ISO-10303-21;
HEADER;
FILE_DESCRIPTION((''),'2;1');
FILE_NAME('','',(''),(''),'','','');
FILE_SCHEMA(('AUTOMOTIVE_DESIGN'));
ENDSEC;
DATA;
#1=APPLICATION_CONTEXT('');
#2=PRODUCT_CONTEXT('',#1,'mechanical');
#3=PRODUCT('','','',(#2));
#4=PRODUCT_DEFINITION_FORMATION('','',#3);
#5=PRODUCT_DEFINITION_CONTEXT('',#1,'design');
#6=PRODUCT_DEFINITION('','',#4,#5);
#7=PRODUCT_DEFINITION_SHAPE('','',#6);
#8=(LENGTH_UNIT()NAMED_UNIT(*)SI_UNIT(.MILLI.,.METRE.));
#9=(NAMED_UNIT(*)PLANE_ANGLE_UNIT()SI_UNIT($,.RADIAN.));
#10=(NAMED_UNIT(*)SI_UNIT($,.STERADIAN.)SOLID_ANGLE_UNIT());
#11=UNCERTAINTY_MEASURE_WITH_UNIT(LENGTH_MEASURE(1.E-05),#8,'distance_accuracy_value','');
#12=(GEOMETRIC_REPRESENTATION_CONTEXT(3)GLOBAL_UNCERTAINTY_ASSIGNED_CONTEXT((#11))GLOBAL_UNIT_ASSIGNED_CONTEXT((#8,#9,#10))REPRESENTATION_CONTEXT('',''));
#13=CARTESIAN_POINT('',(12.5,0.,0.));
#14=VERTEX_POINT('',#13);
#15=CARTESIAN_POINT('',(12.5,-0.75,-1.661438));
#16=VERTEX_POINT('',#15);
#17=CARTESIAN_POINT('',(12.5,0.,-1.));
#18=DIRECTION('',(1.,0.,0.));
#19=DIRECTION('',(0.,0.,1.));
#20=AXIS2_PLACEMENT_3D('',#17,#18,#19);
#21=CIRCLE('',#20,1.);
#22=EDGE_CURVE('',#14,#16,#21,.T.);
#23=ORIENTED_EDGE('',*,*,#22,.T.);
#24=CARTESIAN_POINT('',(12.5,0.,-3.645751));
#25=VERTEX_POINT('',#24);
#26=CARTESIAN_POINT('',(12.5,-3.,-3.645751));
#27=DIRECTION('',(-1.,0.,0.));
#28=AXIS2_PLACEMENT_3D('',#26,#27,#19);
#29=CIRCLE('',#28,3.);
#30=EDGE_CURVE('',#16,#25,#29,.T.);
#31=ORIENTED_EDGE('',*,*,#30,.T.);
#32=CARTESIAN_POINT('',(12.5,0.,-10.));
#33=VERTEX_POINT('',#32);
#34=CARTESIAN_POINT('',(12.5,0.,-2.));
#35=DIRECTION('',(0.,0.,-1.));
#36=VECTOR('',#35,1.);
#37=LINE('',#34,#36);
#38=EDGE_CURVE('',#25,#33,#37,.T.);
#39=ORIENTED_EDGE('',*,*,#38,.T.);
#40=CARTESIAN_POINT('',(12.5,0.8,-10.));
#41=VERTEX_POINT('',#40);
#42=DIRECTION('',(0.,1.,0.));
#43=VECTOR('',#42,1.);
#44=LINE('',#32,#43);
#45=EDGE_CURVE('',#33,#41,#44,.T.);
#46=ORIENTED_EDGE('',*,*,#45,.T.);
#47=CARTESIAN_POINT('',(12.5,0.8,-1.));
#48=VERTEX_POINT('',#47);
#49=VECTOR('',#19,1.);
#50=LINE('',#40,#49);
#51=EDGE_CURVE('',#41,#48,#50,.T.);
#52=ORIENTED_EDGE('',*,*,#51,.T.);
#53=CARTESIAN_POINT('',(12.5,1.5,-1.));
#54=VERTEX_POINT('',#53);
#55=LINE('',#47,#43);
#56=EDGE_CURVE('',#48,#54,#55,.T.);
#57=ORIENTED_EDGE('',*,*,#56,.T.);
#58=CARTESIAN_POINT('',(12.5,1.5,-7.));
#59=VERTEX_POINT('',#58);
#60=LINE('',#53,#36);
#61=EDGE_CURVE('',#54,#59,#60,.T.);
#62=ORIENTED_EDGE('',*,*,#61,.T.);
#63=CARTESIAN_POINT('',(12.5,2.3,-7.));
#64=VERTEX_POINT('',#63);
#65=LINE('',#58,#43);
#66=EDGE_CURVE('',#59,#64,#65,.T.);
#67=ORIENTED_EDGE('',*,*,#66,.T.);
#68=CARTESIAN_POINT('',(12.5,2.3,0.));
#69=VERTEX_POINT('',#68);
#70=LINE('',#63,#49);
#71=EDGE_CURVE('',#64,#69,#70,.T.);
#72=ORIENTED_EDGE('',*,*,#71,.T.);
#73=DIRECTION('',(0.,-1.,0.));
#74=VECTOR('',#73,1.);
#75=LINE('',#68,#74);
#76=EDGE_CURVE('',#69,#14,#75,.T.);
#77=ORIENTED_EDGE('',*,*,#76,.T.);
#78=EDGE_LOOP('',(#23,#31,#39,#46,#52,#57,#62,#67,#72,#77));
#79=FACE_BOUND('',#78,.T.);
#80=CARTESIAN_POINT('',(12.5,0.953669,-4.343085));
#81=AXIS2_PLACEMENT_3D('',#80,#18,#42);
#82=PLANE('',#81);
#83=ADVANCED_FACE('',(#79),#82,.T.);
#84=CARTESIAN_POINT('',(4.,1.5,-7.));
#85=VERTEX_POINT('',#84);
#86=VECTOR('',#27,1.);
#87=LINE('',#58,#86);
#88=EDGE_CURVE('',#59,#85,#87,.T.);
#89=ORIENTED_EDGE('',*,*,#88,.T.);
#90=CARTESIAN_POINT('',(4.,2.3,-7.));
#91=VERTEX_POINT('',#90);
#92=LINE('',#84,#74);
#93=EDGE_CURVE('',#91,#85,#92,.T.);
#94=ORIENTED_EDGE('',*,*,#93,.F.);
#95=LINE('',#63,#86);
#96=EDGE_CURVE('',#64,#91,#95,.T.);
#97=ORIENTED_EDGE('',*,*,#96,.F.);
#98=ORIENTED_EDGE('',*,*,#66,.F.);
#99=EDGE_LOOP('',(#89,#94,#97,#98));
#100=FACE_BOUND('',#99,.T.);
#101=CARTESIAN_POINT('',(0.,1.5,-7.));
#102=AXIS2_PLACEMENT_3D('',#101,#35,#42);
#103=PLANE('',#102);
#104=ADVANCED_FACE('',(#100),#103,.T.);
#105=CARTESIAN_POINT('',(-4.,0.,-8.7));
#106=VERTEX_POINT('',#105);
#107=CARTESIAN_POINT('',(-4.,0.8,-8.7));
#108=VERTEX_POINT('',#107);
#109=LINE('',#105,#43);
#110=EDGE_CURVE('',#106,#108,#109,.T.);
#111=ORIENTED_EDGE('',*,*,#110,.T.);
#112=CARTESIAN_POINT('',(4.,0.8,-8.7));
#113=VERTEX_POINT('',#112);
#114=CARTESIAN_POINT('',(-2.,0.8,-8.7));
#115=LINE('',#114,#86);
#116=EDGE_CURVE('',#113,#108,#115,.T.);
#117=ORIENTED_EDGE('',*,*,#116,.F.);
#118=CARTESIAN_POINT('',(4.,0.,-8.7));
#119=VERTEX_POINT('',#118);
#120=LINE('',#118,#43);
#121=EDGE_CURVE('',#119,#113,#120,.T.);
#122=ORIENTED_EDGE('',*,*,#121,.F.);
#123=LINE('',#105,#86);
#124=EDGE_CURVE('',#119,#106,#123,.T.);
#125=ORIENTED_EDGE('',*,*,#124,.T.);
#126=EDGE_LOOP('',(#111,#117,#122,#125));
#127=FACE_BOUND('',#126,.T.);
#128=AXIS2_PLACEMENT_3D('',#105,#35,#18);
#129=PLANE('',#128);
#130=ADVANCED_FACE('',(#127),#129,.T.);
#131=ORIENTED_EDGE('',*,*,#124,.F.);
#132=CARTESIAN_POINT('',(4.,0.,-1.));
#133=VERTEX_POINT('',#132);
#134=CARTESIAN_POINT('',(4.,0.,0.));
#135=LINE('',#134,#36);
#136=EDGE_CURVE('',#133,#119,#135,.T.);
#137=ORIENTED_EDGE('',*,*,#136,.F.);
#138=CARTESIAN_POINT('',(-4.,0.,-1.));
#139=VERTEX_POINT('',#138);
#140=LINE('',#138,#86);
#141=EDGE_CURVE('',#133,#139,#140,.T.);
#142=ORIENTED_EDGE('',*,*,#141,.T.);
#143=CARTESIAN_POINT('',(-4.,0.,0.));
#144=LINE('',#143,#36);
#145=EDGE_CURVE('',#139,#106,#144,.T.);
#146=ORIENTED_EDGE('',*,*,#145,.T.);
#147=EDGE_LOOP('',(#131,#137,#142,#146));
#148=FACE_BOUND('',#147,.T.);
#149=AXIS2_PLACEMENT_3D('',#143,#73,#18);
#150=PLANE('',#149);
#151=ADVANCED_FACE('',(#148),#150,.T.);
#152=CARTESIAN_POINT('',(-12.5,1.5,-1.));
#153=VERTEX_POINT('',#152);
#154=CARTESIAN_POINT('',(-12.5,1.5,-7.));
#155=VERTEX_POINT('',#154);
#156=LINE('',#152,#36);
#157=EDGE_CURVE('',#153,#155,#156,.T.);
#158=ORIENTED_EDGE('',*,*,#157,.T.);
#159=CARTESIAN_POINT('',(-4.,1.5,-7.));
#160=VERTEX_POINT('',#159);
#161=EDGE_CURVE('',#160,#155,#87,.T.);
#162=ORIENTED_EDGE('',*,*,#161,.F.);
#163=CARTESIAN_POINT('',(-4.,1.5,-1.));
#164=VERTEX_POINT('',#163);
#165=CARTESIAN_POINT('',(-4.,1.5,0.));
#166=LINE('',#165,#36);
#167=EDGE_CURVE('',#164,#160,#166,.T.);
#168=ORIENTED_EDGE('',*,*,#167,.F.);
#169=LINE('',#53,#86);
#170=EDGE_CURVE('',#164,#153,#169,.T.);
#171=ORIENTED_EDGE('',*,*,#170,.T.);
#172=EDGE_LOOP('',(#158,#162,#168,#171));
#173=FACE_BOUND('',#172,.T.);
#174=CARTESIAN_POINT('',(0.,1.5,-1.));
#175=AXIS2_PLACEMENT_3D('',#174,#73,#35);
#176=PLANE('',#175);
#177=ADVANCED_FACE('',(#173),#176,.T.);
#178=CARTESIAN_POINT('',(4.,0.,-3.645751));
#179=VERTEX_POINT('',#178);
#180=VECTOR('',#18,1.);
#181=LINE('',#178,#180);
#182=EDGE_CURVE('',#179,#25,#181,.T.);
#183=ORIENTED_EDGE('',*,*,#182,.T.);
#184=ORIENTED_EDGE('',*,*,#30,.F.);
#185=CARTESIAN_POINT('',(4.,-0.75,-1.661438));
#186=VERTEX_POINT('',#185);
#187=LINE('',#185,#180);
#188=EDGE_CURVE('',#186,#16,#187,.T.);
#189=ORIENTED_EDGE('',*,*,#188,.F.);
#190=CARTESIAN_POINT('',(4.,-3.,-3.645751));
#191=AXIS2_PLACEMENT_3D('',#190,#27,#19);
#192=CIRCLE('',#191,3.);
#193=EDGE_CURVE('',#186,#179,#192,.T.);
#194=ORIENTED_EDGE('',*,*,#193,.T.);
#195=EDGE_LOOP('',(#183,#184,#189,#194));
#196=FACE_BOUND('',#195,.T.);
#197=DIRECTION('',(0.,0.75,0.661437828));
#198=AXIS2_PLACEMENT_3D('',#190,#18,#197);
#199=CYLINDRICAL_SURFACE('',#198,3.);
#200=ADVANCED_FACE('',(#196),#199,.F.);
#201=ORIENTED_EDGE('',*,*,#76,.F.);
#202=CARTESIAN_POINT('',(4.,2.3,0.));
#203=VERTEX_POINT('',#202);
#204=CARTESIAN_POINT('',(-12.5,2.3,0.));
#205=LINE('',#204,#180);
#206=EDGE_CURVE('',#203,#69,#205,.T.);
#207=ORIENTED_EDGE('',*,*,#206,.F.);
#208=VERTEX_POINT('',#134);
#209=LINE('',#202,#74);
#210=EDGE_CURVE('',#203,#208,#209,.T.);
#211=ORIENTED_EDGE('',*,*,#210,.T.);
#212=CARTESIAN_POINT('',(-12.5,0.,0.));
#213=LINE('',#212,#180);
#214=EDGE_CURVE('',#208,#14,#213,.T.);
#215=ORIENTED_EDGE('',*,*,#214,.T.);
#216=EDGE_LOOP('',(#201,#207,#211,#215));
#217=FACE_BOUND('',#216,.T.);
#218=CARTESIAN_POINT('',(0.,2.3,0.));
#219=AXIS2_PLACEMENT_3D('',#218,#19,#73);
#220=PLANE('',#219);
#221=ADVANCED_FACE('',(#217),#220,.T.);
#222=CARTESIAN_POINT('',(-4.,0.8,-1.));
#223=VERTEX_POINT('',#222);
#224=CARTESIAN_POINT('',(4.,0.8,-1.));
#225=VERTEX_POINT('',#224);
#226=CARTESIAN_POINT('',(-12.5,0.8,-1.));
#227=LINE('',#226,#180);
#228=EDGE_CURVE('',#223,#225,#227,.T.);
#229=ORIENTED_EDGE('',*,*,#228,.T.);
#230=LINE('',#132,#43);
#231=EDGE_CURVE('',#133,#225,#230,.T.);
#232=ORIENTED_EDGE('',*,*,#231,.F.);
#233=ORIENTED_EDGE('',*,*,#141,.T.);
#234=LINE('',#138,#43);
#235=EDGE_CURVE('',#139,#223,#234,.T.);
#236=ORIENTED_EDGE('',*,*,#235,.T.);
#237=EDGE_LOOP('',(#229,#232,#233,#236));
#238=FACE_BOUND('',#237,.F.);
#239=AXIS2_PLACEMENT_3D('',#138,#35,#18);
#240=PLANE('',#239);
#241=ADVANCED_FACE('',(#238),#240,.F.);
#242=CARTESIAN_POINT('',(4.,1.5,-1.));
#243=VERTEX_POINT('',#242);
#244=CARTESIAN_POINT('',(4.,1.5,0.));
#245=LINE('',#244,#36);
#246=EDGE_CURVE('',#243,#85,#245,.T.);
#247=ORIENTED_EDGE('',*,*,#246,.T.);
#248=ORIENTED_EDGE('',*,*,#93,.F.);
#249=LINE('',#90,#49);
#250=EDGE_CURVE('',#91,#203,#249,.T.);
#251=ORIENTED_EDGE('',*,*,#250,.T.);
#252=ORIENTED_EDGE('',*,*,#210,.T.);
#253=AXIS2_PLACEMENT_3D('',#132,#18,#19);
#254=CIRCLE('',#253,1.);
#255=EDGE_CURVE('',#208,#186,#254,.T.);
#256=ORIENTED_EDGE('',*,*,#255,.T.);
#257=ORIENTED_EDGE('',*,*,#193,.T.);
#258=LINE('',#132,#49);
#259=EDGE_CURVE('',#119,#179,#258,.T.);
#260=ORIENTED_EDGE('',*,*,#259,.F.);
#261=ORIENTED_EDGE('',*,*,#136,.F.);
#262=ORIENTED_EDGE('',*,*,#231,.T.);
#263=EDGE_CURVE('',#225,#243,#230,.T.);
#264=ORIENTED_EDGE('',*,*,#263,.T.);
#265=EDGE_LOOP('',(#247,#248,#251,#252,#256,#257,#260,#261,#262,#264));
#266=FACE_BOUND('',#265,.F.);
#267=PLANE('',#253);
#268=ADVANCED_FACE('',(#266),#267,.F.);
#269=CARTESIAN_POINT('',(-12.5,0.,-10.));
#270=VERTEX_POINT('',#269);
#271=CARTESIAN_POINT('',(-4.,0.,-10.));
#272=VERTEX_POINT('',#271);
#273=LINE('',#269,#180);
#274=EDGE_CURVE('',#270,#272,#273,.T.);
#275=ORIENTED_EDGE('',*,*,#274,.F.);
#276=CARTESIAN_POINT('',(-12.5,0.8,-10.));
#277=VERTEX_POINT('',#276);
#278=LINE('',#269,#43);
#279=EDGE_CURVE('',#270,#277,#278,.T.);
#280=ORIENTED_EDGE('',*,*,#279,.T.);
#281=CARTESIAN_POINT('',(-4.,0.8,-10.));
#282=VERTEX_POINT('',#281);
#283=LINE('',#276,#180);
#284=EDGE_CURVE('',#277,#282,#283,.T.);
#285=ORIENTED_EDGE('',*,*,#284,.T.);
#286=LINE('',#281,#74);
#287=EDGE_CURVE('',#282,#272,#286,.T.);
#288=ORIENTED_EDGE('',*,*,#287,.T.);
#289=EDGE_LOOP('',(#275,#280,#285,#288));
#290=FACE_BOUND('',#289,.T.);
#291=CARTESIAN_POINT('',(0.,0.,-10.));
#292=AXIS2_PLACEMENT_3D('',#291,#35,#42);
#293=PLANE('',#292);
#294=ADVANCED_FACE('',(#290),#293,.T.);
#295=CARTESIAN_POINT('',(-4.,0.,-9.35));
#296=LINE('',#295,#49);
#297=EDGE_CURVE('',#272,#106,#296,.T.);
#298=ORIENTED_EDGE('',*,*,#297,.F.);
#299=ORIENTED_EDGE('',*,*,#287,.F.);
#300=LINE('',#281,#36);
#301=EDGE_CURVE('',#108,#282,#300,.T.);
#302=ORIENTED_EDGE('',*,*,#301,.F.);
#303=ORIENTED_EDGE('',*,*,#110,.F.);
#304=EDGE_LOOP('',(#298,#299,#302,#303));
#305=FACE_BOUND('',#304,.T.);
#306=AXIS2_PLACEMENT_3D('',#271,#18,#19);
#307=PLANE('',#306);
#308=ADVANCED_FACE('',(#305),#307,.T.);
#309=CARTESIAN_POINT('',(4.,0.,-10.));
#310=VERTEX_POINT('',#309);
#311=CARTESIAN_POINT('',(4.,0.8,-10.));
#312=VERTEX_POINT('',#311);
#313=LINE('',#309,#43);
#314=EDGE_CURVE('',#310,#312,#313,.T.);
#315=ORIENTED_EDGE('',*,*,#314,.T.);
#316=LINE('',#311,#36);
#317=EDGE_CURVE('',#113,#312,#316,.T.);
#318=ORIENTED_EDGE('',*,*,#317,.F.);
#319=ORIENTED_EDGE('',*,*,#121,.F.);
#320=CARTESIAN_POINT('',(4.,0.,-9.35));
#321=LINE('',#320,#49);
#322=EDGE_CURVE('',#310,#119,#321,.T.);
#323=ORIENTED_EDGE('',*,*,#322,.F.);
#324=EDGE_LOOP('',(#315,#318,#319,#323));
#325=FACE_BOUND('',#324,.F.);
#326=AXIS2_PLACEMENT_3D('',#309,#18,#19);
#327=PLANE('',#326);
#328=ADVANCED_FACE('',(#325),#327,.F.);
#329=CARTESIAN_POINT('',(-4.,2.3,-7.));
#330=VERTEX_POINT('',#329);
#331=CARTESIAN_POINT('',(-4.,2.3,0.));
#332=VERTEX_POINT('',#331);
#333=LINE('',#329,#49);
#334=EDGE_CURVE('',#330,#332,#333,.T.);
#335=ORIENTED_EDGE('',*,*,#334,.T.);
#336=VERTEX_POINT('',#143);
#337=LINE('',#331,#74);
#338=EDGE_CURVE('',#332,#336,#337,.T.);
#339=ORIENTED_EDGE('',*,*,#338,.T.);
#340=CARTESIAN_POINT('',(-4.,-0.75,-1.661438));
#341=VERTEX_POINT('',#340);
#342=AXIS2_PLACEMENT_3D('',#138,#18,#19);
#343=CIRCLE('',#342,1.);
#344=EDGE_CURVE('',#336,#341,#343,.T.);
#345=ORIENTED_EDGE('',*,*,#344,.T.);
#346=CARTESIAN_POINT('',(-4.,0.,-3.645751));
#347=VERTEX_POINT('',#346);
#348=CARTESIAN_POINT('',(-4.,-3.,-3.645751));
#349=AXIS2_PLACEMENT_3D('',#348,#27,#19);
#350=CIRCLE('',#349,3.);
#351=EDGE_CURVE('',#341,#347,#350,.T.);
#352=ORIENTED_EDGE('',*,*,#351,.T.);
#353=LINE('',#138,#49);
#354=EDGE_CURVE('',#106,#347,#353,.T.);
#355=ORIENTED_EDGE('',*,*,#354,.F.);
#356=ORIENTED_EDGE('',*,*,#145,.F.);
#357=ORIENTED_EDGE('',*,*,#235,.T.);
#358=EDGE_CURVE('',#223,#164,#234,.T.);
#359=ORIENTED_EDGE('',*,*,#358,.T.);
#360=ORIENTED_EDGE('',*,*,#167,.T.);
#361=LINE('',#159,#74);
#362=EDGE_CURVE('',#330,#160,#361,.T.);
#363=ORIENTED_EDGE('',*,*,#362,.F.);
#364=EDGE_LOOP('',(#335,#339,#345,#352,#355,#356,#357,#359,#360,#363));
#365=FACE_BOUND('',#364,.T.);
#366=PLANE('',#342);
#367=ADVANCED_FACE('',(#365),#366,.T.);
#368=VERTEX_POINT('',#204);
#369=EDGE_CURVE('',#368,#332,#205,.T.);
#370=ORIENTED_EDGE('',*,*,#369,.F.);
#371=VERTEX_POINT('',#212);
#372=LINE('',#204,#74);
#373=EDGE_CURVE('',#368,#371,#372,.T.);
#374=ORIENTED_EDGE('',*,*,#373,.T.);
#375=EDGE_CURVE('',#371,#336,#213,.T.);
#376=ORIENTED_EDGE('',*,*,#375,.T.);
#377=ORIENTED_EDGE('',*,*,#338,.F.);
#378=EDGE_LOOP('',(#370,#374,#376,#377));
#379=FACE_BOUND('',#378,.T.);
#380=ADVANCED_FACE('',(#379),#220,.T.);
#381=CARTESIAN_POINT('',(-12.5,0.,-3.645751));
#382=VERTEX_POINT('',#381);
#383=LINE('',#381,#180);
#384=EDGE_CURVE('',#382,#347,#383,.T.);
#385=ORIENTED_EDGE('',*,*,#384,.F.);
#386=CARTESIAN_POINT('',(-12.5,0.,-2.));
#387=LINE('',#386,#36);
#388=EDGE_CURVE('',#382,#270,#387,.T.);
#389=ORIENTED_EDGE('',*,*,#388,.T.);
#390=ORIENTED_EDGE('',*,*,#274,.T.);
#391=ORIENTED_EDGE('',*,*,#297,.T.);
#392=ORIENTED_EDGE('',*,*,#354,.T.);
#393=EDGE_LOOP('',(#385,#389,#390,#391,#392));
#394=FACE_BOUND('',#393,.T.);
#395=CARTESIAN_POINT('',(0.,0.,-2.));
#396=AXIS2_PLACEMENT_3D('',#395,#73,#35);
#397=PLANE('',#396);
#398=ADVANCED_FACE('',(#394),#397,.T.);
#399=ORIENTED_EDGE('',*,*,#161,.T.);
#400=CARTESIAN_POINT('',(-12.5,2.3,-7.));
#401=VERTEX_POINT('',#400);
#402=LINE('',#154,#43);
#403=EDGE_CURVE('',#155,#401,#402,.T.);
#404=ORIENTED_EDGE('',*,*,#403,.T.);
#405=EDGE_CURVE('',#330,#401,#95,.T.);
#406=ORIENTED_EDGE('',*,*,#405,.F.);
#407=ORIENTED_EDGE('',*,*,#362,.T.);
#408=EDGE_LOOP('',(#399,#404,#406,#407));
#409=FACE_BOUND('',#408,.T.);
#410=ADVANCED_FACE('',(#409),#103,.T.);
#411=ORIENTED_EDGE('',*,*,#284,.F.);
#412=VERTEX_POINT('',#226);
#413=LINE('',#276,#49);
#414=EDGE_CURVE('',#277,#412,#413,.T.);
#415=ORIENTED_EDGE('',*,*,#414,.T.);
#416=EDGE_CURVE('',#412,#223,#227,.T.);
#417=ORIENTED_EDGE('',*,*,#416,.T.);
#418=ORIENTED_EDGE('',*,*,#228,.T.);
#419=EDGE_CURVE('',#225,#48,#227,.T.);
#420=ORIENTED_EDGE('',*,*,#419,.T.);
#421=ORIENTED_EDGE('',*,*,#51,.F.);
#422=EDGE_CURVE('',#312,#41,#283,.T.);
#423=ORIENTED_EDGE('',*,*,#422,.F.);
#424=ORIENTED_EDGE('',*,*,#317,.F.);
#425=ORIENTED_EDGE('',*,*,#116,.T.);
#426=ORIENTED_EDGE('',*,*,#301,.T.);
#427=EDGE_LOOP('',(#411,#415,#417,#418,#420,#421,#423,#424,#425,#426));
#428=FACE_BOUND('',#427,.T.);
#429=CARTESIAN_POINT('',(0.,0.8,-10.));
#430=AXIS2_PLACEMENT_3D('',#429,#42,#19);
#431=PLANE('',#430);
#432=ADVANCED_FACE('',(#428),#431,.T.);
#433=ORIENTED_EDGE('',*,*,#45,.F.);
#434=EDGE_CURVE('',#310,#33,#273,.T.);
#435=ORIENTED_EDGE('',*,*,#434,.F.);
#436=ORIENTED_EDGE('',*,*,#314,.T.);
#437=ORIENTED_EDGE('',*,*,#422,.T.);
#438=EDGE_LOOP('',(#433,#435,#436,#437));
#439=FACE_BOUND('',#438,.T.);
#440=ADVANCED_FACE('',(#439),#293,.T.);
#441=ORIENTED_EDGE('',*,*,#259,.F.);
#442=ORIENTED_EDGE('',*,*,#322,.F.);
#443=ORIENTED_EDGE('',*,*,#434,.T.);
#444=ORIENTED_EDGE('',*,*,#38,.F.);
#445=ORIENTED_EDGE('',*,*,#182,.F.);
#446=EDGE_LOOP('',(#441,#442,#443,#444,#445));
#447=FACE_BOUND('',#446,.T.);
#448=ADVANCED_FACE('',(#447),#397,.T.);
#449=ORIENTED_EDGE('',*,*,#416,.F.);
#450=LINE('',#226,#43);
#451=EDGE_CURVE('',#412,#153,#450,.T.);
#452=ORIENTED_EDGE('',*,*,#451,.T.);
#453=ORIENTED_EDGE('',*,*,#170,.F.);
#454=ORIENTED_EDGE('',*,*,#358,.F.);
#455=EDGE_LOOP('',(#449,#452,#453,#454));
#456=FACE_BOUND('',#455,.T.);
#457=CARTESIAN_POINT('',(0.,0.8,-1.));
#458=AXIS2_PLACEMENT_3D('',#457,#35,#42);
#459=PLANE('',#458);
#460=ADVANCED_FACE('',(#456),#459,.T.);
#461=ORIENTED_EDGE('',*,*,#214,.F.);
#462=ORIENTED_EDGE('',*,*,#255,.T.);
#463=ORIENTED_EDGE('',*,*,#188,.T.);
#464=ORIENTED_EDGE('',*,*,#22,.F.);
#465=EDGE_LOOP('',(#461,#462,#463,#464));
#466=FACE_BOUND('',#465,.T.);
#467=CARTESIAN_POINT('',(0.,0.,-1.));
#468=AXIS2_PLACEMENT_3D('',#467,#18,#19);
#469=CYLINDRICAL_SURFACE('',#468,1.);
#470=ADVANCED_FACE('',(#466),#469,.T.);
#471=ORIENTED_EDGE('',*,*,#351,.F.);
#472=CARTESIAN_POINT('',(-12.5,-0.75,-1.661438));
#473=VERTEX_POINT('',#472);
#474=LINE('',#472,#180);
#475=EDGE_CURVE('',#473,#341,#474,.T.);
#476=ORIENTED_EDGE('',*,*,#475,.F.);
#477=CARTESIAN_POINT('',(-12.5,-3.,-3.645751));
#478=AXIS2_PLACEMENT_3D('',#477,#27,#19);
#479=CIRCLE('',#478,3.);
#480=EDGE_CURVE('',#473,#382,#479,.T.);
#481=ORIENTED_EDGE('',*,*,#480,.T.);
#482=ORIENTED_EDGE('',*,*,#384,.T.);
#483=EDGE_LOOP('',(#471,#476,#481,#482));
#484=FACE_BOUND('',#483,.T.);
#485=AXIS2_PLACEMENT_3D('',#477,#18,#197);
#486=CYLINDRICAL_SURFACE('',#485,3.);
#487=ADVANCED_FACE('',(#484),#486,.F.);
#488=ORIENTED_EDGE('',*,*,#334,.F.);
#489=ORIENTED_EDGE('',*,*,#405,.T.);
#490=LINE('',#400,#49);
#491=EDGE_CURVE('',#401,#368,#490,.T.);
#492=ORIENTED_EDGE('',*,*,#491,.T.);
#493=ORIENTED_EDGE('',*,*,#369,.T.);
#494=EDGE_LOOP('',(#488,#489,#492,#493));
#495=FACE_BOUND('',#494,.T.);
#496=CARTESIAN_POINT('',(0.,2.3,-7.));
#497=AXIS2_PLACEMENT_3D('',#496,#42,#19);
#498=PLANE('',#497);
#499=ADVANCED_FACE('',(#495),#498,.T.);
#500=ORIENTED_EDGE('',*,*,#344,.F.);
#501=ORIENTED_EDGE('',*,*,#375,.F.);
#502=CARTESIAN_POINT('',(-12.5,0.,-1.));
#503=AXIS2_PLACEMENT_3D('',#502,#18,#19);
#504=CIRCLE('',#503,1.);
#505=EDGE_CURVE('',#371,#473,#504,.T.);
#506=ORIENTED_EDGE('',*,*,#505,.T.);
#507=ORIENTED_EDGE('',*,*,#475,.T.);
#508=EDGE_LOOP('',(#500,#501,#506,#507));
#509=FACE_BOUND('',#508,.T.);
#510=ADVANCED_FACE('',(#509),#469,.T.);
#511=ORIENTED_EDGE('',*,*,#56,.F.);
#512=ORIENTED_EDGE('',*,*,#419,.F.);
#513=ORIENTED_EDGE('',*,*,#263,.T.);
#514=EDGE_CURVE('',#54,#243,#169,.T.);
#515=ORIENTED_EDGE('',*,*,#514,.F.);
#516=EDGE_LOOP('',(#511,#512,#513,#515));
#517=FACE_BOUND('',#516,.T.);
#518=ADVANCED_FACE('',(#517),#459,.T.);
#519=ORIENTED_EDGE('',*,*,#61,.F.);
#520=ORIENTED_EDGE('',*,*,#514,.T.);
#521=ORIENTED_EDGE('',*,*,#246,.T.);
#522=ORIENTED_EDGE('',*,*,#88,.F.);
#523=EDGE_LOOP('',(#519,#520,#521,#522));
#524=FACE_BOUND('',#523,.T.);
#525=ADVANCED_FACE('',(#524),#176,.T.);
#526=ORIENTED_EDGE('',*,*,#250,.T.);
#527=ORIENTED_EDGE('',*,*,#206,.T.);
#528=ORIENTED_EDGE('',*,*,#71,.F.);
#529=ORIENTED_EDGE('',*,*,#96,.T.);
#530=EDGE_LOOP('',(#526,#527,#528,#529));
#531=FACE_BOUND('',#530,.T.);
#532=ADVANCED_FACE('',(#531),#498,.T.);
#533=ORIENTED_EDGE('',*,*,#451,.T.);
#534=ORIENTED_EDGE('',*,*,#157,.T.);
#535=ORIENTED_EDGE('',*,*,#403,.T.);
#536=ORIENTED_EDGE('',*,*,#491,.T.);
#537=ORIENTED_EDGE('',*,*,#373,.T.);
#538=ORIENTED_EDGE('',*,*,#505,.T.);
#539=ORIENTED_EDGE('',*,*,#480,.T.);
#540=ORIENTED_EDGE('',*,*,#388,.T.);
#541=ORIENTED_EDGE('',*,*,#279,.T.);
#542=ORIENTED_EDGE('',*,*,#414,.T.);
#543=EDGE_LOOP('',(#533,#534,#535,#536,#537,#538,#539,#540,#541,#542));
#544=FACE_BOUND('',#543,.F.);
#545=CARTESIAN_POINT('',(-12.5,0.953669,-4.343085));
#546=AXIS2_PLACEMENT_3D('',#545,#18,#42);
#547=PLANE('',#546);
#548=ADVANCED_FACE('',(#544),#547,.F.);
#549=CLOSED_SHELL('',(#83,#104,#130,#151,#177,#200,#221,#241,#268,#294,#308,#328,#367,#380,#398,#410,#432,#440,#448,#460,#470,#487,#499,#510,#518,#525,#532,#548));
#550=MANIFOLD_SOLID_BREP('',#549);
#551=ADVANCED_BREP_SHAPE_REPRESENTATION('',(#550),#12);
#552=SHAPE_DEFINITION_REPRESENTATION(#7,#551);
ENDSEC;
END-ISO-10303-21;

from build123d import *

# Parameters (mm, degrees)
F1_DEPTH = 12.5
F2_W     = 8
F2_H     = 1
F2_H_2   = 1.3
F3_DEPTH = 2.301
F4_W     = 8
F4_H     = 0.8
F4_H_2   = 1.117703
F5_DEPTH = 10.001
F6_R     = 3


with BuildPart() as f1:
    # F0 (on Right) → F1 (new body, symmetric)
    with BuildSketch(Plane.YZ):
        with BuildLine():
            Line((2.3, -7), (2.3, 0))
            Line((2.3, 0), (0, 0))
            ThreePointArc((0, 0), (-1, -1), (0, -2))
            Line((0, -2), (0, -10))
            Line((0, -10), (0.8, -10))
            Line((0.8, -10), (0.8, -1))
            Line((0.8, -1), (1.5, -1))
            Line((1.5, -1), (1.5, -7))
            Line((1.5, -7), (2.3, -7))
        make_face()
    extrude(amount=F1_DEPTH, both=True)

    # F2 (on Front) → F3 (cut, through all)
    with BuildSketch(Plane.XZ):
        with Locations((0, -0.5)):
            Rectangle(F2_W, F2_H)
        with Locations((0, -9.35)):
            Rectangle(F2_W, F2_H_2)
    extrude(amount=-F3_DEPTH, mode=Mode.SUBTRACT)

    # F4 (on Top) → F5 (cut, through all)
    with BuildSketch(Plane.XY):
        with Locations((0, 1.9)):
            Rectangle(F4_W, F4_H)
        with Locations((0, -0.558851)):
            Rectangle(F4_W, F4_H_2)
    extrude(amount=-F5_DEPTH, mode=Mode.SUBTRACT)

    # F6
    f6_edges = [f1.edges().sort_by_distance(p)[0] for p in [
        (8.25, 0, -2),
        (-8.25, 0, -2),
    ]]
    fillet(f6_edges, radius=F6_R)


solid = f1.part
